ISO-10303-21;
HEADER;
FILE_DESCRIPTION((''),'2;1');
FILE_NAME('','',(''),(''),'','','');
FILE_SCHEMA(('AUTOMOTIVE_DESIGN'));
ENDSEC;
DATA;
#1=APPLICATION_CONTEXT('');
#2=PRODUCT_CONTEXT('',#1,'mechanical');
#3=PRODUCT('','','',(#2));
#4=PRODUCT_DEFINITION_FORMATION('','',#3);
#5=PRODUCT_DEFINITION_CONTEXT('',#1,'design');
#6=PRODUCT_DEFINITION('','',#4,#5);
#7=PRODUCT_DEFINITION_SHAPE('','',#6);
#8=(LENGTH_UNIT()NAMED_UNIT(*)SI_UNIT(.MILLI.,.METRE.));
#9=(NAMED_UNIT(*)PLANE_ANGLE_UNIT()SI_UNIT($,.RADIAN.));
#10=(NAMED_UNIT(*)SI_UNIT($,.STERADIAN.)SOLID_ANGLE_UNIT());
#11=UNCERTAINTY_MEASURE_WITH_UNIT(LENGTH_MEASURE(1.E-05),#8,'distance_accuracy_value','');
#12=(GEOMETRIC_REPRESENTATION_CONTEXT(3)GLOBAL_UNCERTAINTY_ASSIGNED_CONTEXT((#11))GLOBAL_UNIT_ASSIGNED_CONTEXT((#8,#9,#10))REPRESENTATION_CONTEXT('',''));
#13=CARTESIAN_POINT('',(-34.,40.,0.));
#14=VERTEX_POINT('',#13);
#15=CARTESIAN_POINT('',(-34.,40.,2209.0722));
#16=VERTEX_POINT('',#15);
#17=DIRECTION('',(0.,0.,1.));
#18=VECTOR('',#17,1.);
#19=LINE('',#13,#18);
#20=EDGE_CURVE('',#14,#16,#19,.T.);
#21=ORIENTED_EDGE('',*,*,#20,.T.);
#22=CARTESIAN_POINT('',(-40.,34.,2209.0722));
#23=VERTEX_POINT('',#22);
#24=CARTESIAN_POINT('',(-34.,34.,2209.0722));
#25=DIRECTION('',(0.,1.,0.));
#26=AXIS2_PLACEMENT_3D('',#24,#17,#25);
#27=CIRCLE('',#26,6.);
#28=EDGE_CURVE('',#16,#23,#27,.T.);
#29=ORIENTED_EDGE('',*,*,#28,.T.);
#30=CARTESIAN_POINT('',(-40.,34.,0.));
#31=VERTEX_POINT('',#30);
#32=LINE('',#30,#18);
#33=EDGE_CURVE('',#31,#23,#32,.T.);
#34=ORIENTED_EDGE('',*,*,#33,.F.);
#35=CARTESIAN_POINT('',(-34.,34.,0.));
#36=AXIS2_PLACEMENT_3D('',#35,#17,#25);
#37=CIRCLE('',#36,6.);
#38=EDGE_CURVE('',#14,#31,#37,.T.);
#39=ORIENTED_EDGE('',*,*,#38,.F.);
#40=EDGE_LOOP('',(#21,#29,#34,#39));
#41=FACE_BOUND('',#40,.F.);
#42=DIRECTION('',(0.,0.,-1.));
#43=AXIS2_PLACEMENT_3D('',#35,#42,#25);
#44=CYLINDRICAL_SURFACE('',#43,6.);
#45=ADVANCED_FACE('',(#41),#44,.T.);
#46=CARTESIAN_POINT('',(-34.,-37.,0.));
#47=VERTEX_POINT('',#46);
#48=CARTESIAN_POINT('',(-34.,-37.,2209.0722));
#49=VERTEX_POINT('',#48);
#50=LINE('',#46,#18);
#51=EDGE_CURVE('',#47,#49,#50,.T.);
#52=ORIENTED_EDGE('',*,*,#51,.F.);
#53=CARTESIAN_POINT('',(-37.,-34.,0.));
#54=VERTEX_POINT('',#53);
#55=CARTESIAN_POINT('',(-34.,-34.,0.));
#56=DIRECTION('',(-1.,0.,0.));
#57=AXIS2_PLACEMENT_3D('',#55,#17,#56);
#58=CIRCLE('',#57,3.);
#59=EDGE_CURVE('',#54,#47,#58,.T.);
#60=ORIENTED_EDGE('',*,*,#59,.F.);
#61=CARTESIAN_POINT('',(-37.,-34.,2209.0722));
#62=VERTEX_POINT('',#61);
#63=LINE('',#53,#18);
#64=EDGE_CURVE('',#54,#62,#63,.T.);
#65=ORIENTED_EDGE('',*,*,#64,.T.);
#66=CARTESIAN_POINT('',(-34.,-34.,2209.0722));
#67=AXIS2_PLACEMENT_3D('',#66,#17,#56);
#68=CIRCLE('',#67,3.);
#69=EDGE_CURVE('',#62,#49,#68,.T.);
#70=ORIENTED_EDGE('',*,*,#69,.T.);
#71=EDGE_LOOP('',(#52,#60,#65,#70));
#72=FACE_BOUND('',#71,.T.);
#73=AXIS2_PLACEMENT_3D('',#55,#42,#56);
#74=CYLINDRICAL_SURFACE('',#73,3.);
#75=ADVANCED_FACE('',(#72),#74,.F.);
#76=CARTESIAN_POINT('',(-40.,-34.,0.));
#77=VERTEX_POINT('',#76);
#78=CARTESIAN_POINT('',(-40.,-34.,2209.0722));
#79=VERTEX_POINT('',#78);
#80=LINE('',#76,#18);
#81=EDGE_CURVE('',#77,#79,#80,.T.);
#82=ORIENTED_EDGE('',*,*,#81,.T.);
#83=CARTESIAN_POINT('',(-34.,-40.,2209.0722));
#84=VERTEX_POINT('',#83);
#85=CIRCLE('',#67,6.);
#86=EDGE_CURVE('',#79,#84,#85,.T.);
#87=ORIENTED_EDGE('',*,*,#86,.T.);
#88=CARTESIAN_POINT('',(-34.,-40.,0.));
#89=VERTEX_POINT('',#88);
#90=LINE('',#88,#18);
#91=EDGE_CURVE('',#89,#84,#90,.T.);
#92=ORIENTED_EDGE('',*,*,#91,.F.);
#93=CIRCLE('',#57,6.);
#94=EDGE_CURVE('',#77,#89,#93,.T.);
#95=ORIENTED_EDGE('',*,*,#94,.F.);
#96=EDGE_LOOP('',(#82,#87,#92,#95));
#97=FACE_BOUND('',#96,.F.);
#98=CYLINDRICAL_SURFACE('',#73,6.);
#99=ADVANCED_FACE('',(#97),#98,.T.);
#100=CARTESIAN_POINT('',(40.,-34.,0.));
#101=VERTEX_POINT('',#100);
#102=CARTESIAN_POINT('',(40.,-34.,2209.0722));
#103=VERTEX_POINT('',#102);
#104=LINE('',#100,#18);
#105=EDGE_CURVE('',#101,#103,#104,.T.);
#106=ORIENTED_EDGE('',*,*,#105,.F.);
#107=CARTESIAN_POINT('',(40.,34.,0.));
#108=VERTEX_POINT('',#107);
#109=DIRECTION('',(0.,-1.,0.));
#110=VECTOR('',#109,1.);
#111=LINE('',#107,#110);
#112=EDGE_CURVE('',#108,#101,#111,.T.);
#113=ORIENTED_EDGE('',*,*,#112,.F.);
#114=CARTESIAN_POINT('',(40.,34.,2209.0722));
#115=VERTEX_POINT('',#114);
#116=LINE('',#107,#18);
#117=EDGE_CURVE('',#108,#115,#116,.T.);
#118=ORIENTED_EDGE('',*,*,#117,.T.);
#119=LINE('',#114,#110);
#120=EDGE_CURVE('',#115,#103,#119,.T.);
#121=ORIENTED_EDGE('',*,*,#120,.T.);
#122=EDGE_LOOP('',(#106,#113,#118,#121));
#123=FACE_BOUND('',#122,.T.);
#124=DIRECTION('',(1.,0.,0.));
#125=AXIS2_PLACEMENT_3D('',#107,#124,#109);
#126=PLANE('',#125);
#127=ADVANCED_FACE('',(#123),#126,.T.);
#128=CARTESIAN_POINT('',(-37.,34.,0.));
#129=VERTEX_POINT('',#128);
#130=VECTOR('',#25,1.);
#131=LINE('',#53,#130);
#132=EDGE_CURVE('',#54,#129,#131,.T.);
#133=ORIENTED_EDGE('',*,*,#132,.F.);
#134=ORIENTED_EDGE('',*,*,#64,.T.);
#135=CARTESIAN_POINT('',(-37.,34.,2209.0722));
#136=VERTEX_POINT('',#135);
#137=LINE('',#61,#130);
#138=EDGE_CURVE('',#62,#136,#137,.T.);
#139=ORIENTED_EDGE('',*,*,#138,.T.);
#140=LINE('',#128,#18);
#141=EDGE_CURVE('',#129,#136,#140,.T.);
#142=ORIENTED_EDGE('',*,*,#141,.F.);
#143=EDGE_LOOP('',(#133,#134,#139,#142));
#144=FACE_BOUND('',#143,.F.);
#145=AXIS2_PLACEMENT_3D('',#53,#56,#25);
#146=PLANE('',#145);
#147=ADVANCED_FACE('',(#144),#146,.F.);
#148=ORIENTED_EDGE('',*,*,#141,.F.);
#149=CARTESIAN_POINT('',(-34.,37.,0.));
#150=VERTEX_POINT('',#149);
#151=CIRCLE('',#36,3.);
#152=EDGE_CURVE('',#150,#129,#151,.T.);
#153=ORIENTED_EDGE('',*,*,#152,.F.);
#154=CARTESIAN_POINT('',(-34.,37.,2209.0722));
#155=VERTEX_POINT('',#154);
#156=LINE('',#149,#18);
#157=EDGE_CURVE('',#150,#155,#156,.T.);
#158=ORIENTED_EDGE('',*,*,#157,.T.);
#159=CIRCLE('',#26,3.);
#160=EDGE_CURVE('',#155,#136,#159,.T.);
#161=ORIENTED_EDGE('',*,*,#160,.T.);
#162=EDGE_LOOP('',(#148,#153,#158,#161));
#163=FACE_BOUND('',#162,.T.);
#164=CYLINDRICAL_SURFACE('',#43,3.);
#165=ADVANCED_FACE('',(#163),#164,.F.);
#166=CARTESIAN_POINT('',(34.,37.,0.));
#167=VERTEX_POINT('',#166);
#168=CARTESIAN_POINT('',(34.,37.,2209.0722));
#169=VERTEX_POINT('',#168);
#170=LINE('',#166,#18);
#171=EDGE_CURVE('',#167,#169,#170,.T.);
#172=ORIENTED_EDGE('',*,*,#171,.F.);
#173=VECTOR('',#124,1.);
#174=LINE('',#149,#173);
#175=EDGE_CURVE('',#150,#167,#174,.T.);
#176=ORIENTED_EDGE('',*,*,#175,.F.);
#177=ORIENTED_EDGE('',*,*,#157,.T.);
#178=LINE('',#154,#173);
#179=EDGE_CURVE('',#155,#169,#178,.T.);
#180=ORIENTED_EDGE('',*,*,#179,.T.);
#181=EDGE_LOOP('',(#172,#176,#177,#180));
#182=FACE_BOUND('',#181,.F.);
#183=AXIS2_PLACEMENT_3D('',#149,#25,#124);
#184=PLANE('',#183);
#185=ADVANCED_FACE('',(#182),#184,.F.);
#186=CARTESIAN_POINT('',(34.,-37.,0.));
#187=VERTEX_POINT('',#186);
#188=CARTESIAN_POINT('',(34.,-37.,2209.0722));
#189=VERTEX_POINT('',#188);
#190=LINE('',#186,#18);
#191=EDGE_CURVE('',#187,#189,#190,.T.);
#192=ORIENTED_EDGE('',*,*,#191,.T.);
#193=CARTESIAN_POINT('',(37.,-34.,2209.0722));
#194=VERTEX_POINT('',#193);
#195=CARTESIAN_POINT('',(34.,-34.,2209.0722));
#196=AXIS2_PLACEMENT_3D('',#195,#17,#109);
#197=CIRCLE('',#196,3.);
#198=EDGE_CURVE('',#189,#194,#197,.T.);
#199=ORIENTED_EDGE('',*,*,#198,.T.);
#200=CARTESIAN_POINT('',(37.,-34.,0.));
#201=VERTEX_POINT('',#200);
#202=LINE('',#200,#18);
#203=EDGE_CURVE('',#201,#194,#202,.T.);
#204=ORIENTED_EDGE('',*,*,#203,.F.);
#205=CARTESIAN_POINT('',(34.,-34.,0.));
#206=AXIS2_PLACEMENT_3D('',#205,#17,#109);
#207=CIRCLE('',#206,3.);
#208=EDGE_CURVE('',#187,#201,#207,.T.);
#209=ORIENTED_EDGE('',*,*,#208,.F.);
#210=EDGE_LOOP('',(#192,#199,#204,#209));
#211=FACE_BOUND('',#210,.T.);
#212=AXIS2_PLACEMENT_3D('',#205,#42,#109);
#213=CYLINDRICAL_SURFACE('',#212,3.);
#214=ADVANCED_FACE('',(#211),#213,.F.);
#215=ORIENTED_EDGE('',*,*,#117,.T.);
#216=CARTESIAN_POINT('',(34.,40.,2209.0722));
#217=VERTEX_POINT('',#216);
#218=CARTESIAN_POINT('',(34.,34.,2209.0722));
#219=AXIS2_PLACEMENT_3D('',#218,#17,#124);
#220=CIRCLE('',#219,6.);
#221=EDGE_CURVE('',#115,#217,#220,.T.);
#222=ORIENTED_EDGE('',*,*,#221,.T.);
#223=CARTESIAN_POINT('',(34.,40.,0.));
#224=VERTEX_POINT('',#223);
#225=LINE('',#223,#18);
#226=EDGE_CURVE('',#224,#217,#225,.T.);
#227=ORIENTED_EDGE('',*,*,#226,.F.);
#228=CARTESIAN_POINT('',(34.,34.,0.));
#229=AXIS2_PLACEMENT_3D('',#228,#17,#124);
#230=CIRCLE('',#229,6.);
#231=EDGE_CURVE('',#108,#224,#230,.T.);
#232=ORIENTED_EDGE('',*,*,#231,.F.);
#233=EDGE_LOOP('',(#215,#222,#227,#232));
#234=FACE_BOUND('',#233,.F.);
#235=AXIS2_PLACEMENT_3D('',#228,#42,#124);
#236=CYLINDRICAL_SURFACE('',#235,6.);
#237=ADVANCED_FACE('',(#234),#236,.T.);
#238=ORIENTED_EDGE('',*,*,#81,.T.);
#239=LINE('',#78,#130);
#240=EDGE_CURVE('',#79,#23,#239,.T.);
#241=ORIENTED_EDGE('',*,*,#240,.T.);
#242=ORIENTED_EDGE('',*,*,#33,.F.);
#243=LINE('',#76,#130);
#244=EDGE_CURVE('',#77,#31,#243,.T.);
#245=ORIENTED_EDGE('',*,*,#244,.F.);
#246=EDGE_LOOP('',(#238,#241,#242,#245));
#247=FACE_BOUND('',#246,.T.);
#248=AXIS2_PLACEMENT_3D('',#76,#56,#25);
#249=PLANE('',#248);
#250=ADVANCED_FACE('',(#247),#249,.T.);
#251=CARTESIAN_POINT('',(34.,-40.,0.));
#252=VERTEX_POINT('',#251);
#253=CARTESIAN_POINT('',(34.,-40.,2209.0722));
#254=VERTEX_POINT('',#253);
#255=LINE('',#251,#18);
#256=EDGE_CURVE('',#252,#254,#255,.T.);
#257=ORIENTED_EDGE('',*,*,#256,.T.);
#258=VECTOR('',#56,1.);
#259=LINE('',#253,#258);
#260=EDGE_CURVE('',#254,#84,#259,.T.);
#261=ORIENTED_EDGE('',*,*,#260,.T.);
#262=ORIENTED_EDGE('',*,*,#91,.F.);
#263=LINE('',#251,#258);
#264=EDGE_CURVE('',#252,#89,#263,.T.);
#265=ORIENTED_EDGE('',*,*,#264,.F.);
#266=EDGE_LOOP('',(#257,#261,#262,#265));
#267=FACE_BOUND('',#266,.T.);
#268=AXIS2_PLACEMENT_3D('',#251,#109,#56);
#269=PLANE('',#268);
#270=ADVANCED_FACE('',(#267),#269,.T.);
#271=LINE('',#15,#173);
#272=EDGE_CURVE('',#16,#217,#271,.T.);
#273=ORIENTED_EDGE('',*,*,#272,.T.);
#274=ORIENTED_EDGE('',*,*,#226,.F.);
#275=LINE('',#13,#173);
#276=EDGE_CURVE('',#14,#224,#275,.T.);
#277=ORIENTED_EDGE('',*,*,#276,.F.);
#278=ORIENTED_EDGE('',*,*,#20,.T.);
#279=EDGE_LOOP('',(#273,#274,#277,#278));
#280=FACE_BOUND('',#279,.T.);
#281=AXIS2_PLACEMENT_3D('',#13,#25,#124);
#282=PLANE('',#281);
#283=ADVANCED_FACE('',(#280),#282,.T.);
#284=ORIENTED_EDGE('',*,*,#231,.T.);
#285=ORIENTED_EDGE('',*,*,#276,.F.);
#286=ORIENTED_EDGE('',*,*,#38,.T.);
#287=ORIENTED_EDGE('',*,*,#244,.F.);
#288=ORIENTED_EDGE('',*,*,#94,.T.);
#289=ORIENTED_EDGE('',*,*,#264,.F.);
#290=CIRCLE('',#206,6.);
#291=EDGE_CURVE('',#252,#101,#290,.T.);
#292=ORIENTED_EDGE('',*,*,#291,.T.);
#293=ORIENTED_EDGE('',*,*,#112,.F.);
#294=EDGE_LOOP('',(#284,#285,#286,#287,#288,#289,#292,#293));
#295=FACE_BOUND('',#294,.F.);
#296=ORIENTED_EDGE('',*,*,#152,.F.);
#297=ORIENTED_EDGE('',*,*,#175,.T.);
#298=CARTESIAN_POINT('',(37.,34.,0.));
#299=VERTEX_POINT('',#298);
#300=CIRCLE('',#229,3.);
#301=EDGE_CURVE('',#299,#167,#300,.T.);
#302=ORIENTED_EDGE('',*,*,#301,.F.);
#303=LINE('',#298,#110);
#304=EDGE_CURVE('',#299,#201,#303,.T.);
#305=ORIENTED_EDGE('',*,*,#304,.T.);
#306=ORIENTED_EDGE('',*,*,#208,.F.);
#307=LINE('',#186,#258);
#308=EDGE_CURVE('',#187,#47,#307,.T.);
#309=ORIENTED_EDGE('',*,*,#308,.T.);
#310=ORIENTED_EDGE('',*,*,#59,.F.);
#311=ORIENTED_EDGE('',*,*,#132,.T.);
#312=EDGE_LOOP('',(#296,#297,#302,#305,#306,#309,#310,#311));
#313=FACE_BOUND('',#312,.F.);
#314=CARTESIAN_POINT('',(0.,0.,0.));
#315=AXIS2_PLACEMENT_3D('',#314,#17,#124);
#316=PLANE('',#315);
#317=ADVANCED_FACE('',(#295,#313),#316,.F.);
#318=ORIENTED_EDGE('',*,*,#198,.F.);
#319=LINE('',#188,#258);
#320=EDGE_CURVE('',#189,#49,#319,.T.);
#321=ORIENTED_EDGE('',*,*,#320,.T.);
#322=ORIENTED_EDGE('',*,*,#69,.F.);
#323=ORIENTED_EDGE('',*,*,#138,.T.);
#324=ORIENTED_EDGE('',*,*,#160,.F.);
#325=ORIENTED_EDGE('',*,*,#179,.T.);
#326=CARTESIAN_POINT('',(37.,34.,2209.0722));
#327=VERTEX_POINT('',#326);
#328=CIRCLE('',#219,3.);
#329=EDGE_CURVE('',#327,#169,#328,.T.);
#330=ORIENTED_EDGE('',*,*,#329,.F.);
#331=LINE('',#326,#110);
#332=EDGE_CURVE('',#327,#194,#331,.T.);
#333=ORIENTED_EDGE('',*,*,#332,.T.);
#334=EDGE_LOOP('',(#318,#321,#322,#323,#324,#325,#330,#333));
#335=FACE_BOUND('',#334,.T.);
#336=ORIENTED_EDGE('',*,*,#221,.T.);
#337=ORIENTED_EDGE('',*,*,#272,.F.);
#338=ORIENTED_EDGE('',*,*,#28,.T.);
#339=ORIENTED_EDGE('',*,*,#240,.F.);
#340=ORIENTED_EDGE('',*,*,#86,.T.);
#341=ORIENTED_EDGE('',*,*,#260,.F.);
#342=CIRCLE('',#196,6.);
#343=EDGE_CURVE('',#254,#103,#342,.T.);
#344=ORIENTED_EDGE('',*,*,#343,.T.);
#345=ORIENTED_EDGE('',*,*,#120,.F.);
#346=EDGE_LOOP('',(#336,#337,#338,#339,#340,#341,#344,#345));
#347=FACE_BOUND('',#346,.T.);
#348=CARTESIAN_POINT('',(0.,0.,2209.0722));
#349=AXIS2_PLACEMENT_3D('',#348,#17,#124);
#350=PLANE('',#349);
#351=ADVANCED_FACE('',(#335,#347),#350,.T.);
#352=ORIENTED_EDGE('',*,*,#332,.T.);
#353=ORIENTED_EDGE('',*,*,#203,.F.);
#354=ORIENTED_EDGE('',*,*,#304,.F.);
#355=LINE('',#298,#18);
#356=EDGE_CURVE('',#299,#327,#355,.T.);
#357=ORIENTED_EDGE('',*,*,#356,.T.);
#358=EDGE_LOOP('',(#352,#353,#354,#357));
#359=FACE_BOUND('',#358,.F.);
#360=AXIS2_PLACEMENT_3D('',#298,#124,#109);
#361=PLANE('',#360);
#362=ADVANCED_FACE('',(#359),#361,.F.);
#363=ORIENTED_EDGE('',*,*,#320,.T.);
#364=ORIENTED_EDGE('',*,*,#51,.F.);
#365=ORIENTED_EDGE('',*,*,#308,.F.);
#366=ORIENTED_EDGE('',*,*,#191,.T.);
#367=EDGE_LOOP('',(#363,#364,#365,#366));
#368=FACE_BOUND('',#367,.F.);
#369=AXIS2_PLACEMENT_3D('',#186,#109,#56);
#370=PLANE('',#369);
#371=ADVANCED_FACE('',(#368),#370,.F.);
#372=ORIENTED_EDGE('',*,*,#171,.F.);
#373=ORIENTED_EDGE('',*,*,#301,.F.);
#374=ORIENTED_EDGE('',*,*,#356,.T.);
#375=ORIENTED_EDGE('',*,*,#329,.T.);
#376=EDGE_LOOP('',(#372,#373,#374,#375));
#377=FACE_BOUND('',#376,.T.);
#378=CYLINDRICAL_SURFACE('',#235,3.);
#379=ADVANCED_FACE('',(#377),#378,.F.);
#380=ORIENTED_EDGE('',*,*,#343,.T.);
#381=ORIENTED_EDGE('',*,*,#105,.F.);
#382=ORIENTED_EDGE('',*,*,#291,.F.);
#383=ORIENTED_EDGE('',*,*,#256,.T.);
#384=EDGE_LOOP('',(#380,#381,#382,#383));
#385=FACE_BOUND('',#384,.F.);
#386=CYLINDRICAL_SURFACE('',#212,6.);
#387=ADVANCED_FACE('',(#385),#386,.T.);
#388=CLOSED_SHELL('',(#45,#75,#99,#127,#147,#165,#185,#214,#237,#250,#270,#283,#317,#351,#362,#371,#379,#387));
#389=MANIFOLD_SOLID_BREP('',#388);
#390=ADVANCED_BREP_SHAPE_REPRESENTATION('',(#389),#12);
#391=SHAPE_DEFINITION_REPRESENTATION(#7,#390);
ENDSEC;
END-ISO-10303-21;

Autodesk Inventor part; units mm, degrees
ref_plane "YZ Plane" through (0, 0, 0) normal (1, 0, 0) x (0, 1, 0)
ref_plane "Start plane" through (0, 0, 0) normal (0, 0, 1) x (1, 0, 0)
ref_plane "End plane" through (0, 0, 2209.0722) normal (0, 0, 1) x (1, 0, 0)
sketch "Sketch" plane through (0, 0, 0) normal (0, 0, 1) x (1, 0, 0)
  line L0 (-40, -34) -> (-40, 34)
  line L1 (-34, 40) -> (34, 40)
  line L2 (40, 34) -> (40, -34)
  line L3 (34, -40) -> (-34, -40)
  arc A0 (-40, -34) -> (-34, -40) centre (-34, -34) ccw
  arc A1 (40, 34) -> (34, 40) centre (34, 34) ccw
  arc A2 (-34, 40) -> (-40, 34) centre (-34, 34) ccw
  arc A3 (34, -40) -> (40, -34) centre (34, -34) ccw
  arc A4 (-34, 37) -> (-37, 34) centre (-34, 34) ccw
  line L4 (-34, 37) -> (34, 37)
  arc A5 (37, 34) -> (34, 37) centre (34, 34) ccw
  line L5 (37, 34) -> (37, -34)
  arc A6 (34, -37) -> (37, -34) centre (34, -34) ccw
  line L6 (34, -37) -> (-34, -37)
  arc A7 (-37, -34) -> (-34, -37) centre (-34, -34) ccw
  line L7 (-37, -34) -> (-37, 34)
  line L8 (0, 71.7397) -> (0, -71.7397) construction
  line L9 (-71.7397, 0) -> (71.7397, 0) construction
  dimension "d7" = 6
  dimension "d9" = 80
  dimension "d11" = 80
  dimension "d12" = 3
  dimension "d15" = 40
  dimension "d16" = 40
extrude "Body" add sketch "Sketch" along normal up to surface (2209.0722 mm away) from surface at 0
sketch "Sketch3" plane through (0, 0, 0) normal (0, 0, 1) x (1, 0, 0)
  line L0 (0, 0) -> (10, 0)
ref_plane "Work Plane3" through (0, 0, 0) normal (0, -1, 0) x (1, 0, 0)
sketch "Sketch4" plane through (0, 0, 0) normal (0, -1, 0) x (1, 0, 0)
  line L0 (-2, 0) -> (12, 0) projected
  line L1 (-2, 2209.0722) -> (12, 2209.0722) projected
  dimension "d18" = 2209.0722
equation "\"d7\" = G_IR"
equation "\"d9\" = G_W"
equation "\"d11\" = G_H"
equation "\"d12\" = G_T"
equation "\"d15\" = 0.5 * d9"
equation "\"d16\" = 0.5 * d11"
equation "\"d3\" = G_L"
equation "\"G_W\" = 80"
equation "\"G_H\" = 80"
equation "\"G_T\" = 3"
equation "\"G_IR\" = 6"
equation "\"G_L\" = d18"
equation "\"G_OFFSET_START\" = 0"
equation "\"G_OFFSET_END\" = 0"
equation "\"d14\" = G_OFFSET_END + B_L"
equation "\"B_L\" = 2209.0722"
properties part number "ISO 10799-2 - 80x80x3 - 2209,07" material "Steel, Mild"
